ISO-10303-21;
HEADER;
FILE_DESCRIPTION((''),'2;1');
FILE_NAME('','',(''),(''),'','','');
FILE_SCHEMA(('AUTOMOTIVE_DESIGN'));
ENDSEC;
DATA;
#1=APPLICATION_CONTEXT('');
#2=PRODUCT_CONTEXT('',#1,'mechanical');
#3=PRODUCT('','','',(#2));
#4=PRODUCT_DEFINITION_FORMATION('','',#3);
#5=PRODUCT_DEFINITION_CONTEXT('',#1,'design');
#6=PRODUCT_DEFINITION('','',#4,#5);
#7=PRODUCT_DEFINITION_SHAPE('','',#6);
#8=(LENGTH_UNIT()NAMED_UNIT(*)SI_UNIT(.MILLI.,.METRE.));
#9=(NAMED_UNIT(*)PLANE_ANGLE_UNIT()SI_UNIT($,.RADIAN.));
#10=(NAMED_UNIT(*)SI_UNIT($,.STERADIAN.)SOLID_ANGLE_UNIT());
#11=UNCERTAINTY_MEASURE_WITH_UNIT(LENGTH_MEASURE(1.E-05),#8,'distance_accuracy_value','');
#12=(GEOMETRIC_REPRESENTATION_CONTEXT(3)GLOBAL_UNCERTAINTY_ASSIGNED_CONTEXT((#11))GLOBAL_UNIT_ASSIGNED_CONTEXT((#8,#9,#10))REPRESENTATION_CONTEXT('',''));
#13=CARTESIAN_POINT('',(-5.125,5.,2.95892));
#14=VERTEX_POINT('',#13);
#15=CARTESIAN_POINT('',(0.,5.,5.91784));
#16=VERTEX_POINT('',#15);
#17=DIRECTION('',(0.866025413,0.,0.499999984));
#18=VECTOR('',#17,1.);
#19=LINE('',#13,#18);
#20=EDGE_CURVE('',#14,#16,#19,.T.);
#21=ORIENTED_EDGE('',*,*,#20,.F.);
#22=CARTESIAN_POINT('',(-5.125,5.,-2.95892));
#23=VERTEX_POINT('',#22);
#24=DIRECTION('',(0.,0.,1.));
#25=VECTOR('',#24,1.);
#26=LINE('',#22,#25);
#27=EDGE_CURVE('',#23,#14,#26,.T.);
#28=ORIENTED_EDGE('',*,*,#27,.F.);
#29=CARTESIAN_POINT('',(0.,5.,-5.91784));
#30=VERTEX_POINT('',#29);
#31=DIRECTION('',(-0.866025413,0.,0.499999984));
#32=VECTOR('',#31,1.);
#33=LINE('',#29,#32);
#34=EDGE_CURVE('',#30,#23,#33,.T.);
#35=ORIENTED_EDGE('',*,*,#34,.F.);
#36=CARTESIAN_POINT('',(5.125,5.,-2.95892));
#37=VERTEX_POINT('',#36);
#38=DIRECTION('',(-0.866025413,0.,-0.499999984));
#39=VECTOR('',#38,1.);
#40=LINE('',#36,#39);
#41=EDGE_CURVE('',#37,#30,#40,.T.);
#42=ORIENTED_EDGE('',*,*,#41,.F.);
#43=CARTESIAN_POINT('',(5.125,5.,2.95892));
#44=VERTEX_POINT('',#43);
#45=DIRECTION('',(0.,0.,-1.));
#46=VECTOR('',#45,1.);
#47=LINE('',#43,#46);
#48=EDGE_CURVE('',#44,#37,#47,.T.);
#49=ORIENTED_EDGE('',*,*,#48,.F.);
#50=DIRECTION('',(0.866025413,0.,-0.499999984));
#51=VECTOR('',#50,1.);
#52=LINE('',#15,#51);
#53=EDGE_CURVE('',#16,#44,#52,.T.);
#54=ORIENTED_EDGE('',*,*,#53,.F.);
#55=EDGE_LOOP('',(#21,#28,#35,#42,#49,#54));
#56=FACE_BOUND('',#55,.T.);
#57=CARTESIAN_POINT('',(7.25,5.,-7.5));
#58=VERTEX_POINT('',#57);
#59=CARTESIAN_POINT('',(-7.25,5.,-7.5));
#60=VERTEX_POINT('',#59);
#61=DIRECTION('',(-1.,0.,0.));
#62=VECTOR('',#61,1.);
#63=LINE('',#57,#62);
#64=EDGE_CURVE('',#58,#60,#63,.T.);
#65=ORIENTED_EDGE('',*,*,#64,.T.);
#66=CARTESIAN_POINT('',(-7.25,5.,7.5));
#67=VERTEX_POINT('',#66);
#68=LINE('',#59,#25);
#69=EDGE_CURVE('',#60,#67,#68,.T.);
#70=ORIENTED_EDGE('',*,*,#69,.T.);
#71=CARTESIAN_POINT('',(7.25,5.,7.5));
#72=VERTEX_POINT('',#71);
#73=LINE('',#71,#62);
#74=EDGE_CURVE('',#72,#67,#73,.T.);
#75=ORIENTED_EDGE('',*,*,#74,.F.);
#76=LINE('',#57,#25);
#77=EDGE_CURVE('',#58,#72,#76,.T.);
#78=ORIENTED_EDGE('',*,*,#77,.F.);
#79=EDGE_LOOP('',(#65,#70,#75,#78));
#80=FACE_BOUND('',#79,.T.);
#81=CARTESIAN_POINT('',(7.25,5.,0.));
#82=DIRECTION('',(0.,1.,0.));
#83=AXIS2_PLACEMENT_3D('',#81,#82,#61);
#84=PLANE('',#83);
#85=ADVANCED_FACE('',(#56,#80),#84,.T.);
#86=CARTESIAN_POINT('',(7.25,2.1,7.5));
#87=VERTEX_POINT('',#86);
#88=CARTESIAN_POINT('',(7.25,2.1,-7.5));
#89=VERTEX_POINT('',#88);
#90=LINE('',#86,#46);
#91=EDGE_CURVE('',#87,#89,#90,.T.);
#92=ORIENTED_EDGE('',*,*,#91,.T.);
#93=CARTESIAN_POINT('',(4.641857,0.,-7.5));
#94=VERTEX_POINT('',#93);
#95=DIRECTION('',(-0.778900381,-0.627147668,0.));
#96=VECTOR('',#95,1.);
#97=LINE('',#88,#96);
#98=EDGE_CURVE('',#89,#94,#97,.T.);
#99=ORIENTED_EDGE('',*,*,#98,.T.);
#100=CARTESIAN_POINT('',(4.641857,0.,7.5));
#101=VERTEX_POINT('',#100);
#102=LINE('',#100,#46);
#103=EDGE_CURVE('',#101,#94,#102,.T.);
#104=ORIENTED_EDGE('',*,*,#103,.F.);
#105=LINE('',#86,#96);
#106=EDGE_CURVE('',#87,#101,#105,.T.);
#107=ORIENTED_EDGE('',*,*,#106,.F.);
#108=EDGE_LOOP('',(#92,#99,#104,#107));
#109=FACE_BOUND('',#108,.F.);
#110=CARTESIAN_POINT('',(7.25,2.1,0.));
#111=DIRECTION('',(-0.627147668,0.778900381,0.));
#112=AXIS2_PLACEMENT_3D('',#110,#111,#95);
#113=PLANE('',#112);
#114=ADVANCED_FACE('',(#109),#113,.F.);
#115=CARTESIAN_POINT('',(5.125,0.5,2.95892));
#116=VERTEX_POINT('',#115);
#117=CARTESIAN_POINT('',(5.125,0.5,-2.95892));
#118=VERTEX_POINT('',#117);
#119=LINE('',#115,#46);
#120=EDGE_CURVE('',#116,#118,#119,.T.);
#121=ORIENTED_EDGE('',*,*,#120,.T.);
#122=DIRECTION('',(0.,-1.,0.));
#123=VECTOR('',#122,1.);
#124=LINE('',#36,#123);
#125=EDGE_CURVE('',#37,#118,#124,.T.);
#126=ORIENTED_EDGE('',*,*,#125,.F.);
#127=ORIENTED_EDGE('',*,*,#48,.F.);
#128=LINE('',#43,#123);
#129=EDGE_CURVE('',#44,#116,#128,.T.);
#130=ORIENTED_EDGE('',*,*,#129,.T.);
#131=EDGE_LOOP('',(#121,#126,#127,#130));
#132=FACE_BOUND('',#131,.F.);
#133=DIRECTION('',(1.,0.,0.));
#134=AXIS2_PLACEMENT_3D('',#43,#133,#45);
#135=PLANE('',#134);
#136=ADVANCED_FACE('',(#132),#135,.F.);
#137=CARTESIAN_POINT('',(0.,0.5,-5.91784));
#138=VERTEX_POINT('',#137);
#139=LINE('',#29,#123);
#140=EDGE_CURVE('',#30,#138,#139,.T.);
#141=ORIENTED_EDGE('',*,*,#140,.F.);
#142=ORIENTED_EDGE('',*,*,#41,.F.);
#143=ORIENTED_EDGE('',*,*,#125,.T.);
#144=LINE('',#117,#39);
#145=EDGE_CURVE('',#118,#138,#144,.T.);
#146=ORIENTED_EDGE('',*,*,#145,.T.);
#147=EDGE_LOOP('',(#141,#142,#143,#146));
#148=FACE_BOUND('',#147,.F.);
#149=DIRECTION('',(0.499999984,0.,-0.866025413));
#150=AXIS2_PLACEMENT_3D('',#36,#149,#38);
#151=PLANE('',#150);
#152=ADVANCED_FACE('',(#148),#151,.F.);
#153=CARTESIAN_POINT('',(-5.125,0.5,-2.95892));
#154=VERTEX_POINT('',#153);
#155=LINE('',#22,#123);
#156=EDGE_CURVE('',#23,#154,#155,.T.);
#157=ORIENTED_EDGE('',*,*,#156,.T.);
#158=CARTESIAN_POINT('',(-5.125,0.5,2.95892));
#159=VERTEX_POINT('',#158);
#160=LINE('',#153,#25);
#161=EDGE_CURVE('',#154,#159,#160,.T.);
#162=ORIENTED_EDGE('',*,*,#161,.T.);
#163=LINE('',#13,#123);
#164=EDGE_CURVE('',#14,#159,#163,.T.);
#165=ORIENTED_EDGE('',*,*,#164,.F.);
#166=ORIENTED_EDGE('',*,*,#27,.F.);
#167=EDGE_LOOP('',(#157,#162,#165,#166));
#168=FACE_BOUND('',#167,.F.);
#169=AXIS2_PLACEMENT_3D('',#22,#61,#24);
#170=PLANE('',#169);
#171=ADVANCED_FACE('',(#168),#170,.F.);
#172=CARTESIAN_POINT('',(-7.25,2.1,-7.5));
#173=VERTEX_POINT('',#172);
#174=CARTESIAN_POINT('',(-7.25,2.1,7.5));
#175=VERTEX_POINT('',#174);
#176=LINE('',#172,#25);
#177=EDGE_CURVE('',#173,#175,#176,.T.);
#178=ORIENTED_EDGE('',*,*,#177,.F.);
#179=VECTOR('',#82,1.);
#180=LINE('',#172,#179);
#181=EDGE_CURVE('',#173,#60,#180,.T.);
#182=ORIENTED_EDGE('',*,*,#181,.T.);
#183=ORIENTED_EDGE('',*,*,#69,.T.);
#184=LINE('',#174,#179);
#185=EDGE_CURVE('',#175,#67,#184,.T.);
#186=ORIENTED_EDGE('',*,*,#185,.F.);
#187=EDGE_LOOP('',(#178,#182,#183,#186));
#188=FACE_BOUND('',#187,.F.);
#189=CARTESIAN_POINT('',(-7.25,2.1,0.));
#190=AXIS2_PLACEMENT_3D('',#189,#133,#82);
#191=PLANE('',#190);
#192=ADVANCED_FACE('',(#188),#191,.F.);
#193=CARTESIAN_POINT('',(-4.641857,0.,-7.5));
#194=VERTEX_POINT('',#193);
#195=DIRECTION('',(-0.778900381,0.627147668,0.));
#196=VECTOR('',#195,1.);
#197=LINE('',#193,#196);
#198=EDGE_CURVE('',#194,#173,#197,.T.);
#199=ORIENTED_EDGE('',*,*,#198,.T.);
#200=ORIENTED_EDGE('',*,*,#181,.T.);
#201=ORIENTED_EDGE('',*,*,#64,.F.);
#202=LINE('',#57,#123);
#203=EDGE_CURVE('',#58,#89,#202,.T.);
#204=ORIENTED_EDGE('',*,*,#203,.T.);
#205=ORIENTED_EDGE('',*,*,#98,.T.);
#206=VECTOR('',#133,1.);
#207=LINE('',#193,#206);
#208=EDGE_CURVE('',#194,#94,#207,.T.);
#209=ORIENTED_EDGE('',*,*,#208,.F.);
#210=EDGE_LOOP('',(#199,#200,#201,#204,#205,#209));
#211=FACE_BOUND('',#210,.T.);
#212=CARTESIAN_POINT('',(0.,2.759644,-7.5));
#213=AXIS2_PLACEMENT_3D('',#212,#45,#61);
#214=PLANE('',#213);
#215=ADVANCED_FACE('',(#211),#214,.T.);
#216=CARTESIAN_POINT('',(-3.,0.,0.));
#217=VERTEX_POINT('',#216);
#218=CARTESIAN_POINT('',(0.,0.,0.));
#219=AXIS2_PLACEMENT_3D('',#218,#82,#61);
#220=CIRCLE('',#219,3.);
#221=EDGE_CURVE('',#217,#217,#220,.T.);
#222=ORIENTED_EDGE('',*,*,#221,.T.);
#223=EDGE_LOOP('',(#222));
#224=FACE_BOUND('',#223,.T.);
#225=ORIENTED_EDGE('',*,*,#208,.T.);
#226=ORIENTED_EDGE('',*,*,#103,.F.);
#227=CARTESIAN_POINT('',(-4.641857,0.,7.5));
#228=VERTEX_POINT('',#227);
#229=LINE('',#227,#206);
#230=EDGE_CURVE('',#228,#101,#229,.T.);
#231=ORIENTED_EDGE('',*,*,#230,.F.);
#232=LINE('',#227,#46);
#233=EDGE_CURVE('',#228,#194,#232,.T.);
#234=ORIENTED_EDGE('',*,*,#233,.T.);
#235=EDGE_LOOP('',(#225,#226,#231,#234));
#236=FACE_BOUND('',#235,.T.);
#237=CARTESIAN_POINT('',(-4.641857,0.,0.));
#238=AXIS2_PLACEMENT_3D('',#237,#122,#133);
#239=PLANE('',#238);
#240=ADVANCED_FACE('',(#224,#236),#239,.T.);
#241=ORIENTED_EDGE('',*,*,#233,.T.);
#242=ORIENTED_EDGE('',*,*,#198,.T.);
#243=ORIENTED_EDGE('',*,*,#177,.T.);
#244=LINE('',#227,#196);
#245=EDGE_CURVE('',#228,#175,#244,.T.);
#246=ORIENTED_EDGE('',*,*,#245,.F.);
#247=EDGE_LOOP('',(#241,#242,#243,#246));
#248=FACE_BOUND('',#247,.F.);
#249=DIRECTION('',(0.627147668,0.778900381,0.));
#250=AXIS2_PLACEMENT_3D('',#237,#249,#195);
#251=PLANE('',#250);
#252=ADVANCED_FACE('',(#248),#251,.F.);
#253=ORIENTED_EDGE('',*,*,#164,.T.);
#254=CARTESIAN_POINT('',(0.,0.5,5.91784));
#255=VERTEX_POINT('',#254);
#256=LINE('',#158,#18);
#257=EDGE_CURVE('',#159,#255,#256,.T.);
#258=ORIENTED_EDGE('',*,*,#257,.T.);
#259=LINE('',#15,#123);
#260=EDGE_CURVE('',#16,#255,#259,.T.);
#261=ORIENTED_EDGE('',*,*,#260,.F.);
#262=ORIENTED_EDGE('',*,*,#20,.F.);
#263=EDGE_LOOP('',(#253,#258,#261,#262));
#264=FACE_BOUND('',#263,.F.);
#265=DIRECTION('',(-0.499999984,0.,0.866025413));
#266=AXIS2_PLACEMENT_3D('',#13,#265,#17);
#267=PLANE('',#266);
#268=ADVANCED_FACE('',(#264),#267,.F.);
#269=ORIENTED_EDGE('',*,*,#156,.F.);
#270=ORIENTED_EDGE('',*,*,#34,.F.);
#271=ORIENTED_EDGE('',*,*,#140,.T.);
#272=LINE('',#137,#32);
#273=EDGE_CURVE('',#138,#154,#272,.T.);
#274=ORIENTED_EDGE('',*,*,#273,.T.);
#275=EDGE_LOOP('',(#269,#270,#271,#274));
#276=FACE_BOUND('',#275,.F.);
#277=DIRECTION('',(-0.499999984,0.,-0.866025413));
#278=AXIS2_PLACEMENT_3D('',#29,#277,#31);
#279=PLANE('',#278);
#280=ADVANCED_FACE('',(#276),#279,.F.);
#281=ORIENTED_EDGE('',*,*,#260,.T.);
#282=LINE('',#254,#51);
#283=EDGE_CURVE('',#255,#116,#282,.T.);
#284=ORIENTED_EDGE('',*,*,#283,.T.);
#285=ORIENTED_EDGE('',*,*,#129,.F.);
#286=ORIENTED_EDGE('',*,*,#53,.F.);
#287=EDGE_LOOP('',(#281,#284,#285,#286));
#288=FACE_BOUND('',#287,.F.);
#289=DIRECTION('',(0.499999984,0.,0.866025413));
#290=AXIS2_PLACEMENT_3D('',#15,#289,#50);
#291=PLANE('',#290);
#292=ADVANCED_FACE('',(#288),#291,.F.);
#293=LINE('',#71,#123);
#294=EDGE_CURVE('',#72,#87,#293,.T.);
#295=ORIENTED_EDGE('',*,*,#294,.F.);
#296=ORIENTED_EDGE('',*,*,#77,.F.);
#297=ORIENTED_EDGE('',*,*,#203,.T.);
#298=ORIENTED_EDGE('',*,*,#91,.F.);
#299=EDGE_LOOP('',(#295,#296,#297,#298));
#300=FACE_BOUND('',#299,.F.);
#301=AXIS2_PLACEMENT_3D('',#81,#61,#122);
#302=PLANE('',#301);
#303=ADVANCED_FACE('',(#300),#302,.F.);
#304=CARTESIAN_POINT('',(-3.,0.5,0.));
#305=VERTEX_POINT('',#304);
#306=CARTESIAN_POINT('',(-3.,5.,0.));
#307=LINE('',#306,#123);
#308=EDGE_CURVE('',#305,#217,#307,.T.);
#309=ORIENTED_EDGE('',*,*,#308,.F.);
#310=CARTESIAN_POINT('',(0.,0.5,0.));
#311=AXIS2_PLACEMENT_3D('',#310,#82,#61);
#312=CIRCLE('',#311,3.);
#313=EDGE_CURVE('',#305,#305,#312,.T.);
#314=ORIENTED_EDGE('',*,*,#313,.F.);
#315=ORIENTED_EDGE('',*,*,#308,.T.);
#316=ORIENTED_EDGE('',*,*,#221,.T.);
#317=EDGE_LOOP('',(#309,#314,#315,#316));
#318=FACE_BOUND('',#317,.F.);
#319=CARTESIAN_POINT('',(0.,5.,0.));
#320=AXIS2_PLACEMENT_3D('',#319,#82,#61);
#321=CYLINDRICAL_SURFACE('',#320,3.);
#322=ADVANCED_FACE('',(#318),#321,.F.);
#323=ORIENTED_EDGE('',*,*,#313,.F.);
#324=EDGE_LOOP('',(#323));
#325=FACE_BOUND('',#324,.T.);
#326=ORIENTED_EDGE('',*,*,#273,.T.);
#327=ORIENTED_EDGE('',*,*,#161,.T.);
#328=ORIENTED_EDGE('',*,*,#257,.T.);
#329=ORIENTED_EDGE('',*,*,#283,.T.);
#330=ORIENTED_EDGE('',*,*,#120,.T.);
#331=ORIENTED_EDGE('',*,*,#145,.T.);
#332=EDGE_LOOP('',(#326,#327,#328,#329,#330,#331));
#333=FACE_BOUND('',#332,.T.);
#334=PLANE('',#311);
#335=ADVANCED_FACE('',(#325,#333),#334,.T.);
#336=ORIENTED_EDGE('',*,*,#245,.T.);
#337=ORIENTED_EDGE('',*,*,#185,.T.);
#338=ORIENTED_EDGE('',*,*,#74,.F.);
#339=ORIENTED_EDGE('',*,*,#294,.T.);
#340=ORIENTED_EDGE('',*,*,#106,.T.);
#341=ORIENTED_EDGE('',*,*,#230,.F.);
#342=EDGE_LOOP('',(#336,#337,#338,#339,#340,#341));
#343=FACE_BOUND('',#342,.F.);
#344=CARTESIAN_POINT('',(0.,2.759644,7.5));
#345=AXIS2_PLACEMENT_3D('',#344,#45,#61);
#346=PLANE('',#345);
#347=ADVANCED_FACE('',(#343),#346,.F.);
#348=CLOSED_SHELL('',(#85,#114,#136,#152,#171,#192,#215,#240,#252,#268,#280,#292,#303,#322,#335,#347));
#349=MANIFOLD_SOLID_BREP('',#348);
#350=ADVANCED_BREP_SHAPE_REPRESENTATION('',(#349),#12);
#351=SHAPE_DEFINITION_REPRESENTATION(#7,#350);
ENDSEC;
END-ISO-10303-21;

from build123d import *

# Parameters (mm, degrees)
PAD_DEPTH       = 7.5
POCKET_DEPTH    = 4.5
SKETCH002_R     = 3
POCKET001_DEPTH = 5.001


with BuildPart() as part:
    # Sketch → Pad (new body, symmetric)
    with BuildSketch(Plane.XY):
        Polygon((7.25, 5), (7.25, 2.1), (4.641857, 0), (0, 0), (-4.641857, 0), (-7.25, 2.1), (-7.25, 5), (0, 5), align=None)
    extrude(amount=PAD_DEPTH, both=True)

    # Sketch001 (on Face1 of Pad) → Pocket (cut)
    with BuildSketch(Plane(origin=(0, 5, 0), x_dir=(-1, 0, 0), z_dir=(0, 1, 0))):
        Polygon((0, 5.91784), (-5.125, 2.95892), (-5.125, -2.95892), (0, -5.91784), (5.125, -2.95892), (5.125, 2.95892), align=None)
    extrude(amount=-POCKET_DEPTH, mode=Mode.SUBTRACT)

    # Sketch002 (on Face1 of Pocket) → Pocket001 (cut, through all)
    with BuildSketch(Plane(origin=(0, 5, 0), x_dir=(-1, 0, 0), z_dir=(0, 1, 0))):
        Circle(SKETCH002_R)
    extrude(amount=-POCKET001_DEPTH, mode=Mode.SUBTRACT)


solid = part.part
